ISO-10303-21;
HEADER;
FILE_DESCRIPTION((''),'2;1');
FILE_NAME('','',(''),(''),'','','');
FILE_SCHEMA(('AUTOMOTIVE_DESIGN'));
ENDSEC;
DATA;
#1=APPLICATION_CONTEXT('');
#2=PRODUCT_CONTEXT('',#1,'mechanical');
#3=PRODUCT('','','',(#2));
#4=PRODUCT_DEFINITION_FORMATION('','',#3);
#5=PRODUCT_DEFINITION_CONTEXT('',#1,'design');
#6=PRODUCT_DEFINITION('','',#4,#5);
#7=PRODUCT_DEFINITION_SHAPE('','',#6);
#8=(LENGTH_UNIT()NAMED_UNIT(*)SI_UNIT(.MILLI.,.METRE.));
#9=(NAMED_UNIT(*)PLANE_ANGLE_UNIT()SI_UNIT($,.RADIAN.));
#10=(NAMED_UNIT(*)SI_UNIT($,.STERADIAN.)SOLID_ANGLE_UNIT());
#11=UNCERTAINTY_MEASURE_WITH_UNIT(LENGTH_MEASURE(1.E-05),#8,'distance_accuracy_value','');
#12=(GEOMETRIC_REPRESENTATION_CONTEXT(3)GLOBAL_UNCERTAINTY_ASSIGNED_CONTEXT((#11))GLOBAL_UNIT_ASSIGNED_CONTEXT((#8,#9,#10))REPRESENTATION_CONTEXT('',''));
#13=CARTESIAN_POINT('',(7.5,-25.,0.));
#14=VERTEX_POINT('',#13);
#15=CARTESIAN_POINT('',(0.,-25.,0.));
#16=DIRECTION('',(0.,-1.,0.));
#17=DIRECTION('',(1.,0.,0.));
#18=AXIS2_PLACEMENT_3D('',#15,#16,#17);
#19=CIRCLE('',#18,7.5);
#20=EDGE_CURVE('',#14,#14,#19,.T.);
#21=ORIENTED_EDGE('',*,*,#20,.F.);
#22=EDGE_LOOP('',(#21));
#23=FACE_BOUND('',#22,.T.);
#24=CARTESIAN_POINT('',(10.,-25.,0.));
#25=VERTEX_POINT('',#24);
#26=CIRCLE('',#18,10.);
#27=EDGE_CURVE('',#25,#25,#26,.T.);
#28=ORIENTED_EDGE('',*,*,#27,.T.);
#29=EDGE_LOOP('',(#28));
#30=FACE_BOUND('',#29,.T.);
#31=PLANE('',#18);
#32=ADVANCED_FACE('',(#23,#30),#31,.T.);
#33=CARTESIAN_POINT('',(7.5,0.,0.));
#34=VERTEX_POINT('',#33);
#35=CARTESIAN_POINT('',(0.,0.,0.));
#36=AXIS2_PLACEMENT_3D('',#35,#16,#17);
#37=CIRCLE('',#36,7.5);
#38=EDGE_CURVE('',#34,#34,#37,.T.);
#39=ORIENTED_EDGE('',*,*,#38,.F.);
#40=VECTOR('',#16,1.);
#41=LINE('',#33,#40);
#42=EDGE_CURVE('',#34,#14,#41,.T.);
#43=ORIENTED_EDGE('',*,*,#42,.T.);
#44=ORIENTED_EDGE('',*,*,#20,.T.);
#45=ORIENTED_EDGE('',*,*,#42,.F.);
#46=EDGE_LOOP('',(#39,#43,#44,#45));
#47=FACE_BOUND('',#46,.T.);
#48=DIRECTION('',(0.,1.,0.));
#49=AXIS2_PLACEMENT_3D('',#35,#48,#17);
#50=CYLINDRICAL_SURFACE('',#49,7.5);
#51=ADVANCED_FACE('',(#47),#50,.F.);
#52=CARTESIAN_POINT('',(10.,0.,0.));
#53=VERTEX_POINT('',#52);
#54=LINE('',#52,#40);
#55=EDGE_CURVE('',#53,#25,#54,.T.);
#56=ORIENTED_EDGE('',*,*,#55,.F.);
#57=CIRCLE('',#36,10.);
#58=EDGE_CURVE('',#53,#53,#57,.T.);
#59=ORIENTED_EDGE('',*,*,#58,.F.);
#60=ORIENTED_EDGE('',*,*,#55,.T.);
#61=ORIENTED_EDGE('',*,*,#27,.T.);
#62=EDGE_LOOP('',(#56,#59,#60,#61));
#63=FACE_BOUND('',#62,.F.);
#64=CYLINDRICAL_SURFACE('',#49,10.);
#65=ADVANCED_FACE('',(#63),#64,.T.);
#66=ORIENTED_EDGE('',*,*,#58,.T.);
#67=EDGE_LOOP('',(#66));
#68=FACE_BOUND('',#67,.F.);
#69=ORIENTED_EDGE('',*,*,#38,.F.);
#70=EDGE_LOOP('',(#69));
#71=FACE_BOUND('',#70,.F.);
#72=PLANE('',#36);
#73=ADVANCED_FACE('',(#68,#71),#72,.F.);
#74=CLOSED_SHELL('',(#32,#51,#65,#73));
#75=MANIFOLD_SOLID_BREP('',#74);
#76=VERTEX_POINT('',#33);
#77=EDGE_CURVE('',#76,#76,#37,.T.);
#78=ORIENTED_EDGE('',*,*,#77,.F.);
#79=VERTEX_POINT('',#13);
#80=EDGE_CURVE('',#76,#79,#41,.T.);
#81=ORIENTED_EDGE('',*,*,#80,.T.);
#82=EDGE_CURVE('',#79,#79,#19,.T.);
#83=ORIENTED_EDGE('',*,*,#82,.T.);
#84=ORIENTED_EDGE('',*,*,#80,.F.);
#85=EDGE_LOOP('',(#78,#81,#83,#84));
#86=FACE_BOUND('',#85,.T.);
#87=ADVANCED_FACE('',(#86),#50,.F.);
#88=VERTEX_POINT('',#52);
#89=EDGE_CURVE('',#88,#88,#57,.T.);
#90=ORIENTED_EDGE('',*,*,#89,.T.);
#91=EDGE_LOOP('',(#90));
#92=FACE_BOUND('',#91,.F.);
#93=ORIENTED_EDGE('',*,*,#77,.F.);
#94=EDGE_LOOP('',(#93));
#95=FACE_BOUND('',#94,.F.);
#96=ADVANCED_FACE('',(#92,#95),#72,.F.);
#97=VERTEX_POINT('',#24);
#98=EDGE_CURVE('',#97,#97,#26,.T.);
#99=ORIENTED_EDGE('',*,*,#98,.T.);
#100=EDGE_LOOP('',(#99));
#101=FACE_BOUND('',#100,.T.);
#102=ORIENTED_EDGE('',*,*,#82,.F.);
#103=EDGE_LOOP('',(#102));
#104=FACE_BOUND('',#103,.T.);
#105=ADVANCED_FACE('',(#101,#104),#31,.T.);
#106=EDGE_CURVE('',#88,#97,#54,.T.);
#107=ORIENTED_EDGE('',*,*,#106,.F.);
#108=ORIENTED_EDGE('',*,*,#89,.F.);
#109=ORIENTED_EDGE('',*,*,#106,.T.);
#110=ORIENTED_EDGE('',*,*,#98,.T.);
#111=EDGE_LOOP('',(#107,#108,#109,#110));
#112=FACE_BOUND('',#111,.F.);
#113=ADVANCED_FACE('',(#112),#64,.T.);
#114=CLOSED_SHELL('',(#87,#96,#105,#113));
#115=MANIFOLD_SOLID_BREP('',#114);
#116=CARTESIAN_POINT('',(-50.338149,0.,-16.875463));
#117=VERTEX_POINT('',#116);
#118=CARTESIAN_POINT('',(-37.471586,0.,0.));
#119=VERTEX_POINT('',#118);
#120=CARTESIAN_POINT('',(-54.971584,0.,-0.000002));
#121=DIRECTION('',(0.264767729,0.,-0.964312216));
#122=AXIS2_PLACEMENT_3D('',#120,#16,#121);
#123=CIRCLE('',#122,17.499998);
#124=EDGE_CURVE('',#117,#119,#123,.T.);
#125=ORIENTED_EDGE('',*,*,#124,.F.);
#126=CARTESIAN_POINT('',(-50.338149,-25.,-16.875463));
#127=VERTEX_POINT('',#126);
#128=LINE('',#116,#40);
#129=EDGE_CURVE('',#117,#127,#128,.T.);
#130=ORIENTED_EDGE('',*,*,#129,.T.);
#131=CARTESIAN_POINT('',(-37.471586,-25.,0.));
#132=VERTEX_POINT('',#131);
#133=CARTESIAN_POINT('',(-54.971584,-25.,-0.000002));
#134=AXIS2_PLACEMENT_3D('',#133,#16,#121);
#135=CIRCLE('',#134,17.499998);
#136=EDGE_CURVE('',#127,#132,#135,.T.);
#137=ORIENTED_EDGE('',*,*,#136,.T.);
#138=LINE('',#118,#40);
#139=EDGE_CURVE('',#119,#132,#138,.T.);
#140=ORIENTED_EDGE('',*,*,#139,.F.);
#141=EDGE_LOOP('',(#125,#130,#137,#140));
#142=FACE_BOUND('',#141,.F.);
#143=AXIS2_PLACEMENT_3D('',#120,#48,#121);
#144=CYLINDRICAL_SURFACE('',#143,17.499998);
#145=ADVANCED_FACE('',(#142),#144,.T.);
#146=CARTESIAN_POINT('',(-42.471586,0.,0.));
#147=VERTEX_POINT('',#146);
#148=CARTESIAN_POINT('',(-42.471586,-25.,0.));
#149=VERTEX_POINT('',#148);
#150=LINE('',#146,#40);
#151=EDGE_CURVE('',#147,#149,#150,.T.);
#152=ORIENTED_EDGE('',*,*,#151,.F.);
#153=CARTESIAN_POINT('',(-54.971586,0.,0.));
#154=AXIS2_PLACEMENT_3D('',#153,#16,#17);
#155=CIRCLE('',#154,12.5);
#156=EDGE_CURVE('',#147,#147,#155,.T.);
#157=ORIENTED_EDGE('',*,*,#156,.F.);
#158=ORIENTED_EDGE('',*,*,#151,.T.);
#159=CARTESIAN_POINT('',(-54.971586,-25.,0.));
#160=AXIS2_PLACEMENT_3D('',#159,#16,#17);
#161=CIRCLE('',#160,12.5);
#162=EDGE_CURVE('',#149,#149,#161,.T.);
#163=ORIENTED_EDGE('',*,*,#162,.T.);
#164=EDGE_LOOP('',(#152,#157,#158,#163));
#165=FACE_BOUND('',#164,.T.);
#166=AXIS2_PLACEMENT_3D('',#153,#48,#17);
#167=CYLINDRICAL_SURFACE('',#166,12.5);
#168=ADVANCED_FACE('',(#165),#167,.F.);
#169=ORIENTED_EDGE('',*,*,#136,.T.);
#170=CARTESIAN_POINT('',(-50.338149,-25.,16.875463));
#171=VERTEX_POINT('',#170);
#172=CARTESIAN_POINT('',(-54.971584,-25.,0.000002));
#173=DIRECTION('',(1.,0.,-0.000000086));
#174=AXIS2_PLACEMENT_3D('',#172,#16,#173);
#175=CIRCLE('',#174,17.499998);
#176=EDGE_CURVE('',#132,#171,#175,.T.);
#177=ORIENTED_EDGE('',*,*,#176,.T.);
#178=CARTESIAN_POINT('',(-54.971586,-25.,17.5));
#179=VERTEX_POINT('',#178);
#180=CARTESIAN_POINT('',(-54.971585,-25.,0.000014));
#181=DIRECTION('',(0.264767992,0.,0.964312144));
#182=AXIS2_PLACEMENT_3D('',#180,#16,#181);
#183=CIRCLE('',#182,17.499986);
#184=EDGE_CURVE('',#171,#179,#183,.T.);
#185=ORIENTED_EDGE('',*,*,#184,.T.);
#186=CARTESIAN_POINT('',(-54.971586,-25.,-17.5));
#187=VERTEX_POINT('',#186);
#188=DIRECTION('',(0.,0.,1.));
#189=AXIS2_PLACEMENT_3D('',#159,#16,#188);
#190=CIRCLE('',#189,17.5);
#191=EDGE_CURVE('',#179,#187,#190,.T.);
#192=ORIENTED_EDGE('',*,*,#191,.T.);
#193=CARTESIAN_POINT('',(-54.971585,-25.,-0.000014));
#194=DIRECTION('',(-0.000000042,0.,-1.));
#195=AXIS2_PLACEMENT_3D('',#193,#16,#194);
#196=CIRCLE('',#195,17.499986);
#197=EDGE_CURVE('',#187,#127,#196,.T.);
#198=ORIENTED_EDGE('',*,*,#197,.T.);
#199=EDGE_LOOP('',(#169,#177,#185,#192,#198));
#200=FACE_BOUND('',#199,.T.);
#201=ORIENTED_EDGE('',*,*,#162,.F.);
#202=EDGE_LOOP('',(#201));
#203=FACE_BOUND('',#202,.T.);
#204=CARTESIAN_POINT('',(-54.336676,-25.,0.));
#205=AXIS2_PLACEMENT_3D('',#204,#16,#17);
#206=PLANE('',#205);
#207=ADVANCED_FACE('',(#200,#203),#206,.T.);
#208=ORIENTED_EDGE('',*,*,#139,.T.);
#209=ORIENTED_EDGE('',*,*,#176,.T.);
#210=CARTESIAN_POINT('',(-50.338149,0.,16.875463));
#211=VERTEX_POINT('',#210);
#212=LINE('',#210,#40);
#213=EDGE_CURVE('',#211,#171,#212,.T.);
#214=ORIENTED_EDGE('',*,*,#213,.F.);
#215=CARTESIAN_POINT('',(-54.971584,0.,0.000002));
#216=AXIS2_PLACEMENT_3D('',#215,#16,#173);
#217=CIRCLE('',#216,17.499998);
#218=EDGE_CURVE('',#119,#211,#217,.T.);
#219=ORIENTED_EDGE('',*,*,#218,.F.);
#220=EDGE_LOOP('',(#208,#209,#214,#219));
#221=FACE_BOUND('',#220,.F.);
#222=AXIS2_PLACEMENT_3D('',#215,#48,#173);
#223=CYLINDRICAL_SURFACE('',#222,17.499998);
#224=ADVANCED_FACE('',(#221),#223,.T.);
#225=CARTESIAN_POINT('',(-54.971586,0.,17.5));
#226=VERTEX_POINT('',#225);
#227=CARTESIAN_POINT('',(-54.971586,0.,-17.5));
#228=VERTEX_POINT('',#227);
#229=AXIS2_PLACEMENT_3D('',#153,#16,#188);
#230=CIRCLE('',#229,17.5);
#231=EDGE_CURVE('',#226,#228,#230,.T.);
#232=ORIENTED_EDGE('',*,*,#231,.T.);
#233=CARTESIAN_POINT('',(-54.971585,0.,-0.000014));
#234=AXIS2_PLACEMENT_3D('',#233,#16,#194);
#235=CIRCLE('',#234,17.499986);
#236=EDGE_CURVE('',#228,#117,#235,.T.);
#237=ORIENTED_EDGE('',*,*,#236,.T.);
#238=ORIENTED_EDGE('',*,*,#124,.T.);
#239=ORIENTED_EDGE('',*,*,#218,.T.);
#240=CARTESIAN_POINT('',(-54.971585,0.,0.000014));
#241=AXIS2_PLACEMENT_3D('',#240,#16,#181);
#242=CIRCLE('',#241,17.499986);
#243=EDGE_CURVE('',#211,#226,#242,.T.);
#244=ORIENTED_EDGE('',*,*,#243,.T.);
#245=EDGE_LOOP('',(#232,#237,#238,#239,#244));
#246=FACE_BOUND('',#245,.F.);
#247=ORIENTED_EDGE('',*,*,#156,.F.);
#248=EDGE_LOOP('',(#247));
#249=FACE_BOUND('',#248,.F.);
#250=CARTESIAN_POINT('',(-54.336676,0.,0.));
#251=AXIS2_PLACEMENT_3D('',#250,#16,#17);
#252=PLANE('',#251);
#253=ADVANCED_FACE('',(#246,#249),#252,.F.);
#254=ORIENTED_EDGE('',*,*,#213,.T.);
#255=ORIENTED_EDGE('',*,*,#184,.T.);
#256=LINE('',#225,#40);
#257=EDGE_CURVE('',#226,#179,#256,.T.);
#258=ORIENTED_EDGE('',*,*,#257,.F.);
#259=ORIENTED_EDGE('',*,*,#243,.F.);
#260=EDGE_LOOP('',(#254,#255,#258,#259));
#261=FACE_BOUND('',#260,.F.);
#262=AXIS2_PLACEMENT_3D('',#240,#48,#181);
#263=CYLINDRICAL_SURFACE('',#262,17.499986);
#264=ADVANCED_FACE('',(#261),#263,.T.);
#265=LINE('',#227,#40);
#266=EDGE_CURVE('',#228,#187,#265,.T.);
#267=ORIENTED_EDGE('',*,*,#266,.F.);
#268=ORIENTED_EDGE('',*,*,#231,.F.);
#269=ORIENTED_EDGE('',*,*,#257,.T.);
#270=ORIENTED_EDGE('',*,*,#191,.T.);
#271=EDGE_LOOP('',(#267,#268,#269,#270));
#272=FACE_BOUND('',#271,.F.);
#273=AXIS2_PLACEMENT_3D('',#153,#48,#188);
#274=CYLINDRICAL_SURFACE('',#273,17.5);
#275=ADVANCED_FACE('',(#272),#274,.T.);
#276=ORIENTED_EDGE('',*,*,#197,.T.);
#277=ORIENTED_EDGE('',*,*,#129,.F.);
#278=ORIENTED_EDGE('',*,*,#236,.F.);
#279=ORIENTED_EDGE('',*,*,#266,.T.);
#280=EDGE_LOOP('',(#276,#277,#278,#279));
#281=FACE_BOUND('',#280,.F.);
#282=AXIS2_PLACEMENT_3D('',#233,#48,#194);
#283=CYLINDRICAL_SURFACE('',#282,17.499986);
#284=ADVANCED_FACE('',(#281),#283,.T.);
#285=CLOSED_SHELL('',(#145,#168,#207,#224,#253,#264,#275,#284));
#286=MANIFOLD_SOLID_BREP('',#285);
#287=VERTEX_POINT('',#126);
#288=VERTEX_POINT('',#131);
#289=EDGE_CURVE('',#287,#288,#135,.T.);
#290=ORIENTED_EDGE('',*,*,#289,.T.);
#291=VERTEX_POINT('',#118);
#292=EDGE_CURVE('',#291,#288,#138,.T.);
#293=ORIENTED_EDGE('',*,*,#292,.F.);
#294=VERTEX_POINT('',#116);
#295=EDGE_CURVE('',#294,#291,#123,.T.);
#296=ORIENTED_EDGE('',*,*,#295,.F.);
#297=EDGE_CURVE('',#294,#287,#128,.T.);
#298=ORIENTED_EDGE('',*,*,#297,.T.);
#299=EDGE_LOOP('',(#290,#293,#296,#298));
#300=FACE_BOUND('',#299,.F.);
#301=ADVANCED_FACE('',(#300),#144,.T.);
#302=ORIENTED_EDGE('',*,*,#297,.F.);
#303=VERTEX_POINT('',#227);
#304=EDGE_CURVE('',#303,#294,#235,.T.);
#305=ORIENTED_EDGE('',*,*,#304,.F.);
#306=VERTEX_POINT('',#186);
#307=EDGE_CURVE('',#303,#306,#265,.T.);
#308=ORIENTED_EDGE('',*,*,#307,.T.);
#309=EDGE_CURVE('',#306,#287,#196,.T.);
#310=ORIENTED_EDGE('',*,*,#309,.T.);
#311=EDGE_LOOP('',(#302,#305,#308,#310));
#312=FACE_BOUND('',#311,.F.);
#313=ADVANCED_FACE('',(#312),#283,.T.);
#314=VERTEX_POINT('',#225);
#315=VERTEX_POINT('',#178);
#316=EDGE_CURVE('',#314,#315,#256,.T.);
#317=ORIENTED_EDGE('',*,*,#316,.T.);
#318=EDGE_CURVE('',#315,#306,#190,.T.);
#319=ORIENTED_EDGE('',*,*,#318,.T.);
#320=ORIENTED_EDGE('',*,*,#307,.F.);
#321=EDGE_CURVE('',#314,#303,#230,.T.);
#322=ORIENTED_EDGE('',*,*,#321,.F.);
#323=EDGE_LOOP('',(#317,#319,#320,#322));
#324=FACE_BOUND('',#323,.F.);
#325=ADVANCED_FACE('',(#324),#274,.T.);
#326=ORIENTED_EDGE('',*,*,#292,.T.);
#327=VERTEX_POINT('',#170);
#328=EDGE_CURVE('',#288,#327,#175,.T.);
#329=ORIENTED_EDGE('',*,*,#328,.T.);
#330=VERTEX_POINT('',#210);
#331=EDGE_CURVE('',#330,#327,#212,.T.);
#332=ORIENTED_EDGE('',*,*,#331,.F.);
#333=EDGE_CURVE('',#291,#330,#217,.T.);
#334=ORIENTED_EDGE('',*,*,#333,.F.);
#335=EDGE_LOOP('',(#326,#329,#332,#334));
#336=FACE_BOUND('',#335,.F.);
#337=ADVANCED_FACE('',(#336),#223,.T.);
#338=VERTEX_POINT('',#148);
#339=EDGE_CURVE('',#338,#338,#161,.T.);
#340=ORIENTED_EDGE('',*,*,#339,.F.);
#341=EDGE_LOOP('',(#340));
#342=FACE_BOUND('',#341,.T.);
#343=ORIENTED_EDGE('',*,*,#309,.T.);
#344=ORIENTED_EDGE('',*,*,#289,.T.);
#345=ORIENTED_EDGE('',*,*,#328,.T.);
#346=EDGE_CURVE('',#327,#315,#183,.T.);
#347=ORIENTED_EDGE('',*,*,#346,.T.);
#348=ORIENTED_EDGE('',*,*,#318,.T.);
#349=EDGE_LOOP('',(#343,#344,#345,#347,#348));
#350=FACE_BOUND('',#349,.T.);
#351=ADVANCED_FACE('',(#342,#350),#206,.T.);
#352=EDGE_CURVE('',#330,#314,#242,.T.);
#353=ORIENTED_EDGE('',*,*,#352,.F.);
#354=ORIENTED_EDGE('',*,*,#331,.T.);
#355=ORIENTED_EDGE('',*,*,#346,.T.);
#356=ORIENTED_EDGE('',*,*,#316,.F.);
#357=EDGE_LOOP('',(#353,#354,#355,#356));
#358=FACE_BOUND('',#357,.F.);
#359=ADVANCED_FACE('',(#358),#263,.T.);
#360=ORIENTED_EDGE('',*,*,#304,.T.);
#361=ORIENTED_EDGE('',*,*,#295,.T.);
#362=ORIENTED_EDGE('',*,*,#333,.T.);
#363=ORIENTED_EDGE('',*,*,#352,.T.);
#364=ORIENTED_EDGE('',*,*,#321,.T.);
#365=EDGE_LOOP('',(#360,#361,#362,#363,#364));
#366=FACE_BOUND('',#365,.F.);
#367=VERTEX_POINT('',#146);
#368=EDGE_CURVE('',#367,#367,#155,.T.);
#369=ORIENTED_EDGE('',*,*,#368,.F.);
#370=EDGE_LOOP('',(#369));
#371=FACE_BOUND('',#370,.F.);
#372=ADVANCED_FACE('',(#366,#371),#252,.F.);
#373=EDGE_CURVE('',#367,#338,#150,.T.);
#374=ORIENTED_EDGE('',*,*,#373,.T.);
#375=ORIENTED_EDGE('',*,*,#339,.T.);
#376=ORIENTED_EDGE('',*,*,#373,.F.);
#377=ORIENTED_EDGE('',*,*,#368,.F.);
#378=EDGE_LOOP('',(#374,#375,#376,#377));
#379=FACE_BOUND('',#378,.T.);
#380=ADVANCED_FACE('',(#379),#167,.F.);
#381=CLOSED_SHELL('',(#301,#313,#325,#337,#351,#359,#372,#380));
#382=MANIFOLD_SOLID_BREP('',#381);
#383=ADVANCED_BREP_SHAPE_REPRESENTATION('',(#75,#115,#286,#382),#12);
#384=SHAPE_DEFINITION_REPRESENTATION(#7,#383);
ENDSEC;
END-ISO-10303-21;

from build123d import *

# Parameters (mm, degrees)
F0_R     = 12.5
F0_R_2   = 10
F0_R_3   = 7.5
F1_DEPTH = 25
F2_DEPTH = 25


with BuildPart() as f1:
    # F0 (on Front) → F1 (new body)
    with BuildSketch(Plane.XZ):
        with BuildLine():
            Line((-50.338149, 16.875463), (-54.971586, 17.5))
            ThreePointArc((-54.971586, 17.5), (-72.471586, 0), (-54.971586, -17.5))
            Line((-54.971586, -17.5), (-50.338149, -16.875463))
            ThreePointArc((-50.338149, -16.875463), (-41.055136, -10.610487), (-37.471586, 0))
            ThreePointArc((-37.471586, 0), (-41.055136, 10.610487), (-50.338149, 16.875463))
        make_face()
        with Locations((-54.971586, 0)):
            Circle(F0_R, mode=Mode.SUBTRACT)
        with BuildLine():
            ThreePointArc((-50.338149, 16.875463), (-52.633917, 17.343163), (-54.971586, 17.5))
            Line((-54.971586, 17.5), (-50.338149, 16.875463))
        make_face()
        with BuildLine():
            Line((-50.338149, -16.875463), (-54.971586, -17.5))
            ThreePointArc((-54.971586, -17.5), (-52.633917, -17.343163), (-50.338149, -16.875463))
        make_face()
        Circle(F0_R_2)
        Circle(F0_R_3, mode=Mode.SUBTRACT)
    extrude(amount=F1_DEPTH)


with BuildPart() as f2:
    # F0 (on Front) → F2 (new body)
    with BuildSketch(Plane.XZ):
        with BuildLine():
            Line((-50.338149, 16.875463), (-54.971586, 17.5))
            ThreePointArc((-54.971586, 17.5), (-72.471586, 0), (-54.971586, -17.5))
            Line((-54.971586, -17.5), (-50.338149, -16.875463))
            ThreePointArc((-50.338149, -16.875463), (-41.055136, -10.610487), (-37.471586, 0))
            ThreePointArc((-37.471586, 0), (-41.055136, 10.610487), (-50.338149, 16.875463))
        make_face()
        with Locations((-54.971586, 0)):
            Circle(F0_R, mode=Mode.SUBTRACT)
        with BuildLine():
            ThreePointArc((-50.338149, 16.875463), (-52.633917, 17.343163), (-54.971586, 17.5))
            Line((-54.971586, 17.5), (-50.338149, 16.875463))
        make_face()
        with BuildLine():
            Line((-50.338149, -16.875463), (-54.971586, -17.5))
            ThreePointArc((-54.971586, -17.5), (-52.633917, -17.343163), (-50.338149, -16.875463))
        make_face()
        Circle(F0_R_2)
        Circle(F0_R_3, mode=Mode.SUBTRACT)
    extrude(amount=F2_DEPTH)


solid = Compound([f1.part, f2.part])
